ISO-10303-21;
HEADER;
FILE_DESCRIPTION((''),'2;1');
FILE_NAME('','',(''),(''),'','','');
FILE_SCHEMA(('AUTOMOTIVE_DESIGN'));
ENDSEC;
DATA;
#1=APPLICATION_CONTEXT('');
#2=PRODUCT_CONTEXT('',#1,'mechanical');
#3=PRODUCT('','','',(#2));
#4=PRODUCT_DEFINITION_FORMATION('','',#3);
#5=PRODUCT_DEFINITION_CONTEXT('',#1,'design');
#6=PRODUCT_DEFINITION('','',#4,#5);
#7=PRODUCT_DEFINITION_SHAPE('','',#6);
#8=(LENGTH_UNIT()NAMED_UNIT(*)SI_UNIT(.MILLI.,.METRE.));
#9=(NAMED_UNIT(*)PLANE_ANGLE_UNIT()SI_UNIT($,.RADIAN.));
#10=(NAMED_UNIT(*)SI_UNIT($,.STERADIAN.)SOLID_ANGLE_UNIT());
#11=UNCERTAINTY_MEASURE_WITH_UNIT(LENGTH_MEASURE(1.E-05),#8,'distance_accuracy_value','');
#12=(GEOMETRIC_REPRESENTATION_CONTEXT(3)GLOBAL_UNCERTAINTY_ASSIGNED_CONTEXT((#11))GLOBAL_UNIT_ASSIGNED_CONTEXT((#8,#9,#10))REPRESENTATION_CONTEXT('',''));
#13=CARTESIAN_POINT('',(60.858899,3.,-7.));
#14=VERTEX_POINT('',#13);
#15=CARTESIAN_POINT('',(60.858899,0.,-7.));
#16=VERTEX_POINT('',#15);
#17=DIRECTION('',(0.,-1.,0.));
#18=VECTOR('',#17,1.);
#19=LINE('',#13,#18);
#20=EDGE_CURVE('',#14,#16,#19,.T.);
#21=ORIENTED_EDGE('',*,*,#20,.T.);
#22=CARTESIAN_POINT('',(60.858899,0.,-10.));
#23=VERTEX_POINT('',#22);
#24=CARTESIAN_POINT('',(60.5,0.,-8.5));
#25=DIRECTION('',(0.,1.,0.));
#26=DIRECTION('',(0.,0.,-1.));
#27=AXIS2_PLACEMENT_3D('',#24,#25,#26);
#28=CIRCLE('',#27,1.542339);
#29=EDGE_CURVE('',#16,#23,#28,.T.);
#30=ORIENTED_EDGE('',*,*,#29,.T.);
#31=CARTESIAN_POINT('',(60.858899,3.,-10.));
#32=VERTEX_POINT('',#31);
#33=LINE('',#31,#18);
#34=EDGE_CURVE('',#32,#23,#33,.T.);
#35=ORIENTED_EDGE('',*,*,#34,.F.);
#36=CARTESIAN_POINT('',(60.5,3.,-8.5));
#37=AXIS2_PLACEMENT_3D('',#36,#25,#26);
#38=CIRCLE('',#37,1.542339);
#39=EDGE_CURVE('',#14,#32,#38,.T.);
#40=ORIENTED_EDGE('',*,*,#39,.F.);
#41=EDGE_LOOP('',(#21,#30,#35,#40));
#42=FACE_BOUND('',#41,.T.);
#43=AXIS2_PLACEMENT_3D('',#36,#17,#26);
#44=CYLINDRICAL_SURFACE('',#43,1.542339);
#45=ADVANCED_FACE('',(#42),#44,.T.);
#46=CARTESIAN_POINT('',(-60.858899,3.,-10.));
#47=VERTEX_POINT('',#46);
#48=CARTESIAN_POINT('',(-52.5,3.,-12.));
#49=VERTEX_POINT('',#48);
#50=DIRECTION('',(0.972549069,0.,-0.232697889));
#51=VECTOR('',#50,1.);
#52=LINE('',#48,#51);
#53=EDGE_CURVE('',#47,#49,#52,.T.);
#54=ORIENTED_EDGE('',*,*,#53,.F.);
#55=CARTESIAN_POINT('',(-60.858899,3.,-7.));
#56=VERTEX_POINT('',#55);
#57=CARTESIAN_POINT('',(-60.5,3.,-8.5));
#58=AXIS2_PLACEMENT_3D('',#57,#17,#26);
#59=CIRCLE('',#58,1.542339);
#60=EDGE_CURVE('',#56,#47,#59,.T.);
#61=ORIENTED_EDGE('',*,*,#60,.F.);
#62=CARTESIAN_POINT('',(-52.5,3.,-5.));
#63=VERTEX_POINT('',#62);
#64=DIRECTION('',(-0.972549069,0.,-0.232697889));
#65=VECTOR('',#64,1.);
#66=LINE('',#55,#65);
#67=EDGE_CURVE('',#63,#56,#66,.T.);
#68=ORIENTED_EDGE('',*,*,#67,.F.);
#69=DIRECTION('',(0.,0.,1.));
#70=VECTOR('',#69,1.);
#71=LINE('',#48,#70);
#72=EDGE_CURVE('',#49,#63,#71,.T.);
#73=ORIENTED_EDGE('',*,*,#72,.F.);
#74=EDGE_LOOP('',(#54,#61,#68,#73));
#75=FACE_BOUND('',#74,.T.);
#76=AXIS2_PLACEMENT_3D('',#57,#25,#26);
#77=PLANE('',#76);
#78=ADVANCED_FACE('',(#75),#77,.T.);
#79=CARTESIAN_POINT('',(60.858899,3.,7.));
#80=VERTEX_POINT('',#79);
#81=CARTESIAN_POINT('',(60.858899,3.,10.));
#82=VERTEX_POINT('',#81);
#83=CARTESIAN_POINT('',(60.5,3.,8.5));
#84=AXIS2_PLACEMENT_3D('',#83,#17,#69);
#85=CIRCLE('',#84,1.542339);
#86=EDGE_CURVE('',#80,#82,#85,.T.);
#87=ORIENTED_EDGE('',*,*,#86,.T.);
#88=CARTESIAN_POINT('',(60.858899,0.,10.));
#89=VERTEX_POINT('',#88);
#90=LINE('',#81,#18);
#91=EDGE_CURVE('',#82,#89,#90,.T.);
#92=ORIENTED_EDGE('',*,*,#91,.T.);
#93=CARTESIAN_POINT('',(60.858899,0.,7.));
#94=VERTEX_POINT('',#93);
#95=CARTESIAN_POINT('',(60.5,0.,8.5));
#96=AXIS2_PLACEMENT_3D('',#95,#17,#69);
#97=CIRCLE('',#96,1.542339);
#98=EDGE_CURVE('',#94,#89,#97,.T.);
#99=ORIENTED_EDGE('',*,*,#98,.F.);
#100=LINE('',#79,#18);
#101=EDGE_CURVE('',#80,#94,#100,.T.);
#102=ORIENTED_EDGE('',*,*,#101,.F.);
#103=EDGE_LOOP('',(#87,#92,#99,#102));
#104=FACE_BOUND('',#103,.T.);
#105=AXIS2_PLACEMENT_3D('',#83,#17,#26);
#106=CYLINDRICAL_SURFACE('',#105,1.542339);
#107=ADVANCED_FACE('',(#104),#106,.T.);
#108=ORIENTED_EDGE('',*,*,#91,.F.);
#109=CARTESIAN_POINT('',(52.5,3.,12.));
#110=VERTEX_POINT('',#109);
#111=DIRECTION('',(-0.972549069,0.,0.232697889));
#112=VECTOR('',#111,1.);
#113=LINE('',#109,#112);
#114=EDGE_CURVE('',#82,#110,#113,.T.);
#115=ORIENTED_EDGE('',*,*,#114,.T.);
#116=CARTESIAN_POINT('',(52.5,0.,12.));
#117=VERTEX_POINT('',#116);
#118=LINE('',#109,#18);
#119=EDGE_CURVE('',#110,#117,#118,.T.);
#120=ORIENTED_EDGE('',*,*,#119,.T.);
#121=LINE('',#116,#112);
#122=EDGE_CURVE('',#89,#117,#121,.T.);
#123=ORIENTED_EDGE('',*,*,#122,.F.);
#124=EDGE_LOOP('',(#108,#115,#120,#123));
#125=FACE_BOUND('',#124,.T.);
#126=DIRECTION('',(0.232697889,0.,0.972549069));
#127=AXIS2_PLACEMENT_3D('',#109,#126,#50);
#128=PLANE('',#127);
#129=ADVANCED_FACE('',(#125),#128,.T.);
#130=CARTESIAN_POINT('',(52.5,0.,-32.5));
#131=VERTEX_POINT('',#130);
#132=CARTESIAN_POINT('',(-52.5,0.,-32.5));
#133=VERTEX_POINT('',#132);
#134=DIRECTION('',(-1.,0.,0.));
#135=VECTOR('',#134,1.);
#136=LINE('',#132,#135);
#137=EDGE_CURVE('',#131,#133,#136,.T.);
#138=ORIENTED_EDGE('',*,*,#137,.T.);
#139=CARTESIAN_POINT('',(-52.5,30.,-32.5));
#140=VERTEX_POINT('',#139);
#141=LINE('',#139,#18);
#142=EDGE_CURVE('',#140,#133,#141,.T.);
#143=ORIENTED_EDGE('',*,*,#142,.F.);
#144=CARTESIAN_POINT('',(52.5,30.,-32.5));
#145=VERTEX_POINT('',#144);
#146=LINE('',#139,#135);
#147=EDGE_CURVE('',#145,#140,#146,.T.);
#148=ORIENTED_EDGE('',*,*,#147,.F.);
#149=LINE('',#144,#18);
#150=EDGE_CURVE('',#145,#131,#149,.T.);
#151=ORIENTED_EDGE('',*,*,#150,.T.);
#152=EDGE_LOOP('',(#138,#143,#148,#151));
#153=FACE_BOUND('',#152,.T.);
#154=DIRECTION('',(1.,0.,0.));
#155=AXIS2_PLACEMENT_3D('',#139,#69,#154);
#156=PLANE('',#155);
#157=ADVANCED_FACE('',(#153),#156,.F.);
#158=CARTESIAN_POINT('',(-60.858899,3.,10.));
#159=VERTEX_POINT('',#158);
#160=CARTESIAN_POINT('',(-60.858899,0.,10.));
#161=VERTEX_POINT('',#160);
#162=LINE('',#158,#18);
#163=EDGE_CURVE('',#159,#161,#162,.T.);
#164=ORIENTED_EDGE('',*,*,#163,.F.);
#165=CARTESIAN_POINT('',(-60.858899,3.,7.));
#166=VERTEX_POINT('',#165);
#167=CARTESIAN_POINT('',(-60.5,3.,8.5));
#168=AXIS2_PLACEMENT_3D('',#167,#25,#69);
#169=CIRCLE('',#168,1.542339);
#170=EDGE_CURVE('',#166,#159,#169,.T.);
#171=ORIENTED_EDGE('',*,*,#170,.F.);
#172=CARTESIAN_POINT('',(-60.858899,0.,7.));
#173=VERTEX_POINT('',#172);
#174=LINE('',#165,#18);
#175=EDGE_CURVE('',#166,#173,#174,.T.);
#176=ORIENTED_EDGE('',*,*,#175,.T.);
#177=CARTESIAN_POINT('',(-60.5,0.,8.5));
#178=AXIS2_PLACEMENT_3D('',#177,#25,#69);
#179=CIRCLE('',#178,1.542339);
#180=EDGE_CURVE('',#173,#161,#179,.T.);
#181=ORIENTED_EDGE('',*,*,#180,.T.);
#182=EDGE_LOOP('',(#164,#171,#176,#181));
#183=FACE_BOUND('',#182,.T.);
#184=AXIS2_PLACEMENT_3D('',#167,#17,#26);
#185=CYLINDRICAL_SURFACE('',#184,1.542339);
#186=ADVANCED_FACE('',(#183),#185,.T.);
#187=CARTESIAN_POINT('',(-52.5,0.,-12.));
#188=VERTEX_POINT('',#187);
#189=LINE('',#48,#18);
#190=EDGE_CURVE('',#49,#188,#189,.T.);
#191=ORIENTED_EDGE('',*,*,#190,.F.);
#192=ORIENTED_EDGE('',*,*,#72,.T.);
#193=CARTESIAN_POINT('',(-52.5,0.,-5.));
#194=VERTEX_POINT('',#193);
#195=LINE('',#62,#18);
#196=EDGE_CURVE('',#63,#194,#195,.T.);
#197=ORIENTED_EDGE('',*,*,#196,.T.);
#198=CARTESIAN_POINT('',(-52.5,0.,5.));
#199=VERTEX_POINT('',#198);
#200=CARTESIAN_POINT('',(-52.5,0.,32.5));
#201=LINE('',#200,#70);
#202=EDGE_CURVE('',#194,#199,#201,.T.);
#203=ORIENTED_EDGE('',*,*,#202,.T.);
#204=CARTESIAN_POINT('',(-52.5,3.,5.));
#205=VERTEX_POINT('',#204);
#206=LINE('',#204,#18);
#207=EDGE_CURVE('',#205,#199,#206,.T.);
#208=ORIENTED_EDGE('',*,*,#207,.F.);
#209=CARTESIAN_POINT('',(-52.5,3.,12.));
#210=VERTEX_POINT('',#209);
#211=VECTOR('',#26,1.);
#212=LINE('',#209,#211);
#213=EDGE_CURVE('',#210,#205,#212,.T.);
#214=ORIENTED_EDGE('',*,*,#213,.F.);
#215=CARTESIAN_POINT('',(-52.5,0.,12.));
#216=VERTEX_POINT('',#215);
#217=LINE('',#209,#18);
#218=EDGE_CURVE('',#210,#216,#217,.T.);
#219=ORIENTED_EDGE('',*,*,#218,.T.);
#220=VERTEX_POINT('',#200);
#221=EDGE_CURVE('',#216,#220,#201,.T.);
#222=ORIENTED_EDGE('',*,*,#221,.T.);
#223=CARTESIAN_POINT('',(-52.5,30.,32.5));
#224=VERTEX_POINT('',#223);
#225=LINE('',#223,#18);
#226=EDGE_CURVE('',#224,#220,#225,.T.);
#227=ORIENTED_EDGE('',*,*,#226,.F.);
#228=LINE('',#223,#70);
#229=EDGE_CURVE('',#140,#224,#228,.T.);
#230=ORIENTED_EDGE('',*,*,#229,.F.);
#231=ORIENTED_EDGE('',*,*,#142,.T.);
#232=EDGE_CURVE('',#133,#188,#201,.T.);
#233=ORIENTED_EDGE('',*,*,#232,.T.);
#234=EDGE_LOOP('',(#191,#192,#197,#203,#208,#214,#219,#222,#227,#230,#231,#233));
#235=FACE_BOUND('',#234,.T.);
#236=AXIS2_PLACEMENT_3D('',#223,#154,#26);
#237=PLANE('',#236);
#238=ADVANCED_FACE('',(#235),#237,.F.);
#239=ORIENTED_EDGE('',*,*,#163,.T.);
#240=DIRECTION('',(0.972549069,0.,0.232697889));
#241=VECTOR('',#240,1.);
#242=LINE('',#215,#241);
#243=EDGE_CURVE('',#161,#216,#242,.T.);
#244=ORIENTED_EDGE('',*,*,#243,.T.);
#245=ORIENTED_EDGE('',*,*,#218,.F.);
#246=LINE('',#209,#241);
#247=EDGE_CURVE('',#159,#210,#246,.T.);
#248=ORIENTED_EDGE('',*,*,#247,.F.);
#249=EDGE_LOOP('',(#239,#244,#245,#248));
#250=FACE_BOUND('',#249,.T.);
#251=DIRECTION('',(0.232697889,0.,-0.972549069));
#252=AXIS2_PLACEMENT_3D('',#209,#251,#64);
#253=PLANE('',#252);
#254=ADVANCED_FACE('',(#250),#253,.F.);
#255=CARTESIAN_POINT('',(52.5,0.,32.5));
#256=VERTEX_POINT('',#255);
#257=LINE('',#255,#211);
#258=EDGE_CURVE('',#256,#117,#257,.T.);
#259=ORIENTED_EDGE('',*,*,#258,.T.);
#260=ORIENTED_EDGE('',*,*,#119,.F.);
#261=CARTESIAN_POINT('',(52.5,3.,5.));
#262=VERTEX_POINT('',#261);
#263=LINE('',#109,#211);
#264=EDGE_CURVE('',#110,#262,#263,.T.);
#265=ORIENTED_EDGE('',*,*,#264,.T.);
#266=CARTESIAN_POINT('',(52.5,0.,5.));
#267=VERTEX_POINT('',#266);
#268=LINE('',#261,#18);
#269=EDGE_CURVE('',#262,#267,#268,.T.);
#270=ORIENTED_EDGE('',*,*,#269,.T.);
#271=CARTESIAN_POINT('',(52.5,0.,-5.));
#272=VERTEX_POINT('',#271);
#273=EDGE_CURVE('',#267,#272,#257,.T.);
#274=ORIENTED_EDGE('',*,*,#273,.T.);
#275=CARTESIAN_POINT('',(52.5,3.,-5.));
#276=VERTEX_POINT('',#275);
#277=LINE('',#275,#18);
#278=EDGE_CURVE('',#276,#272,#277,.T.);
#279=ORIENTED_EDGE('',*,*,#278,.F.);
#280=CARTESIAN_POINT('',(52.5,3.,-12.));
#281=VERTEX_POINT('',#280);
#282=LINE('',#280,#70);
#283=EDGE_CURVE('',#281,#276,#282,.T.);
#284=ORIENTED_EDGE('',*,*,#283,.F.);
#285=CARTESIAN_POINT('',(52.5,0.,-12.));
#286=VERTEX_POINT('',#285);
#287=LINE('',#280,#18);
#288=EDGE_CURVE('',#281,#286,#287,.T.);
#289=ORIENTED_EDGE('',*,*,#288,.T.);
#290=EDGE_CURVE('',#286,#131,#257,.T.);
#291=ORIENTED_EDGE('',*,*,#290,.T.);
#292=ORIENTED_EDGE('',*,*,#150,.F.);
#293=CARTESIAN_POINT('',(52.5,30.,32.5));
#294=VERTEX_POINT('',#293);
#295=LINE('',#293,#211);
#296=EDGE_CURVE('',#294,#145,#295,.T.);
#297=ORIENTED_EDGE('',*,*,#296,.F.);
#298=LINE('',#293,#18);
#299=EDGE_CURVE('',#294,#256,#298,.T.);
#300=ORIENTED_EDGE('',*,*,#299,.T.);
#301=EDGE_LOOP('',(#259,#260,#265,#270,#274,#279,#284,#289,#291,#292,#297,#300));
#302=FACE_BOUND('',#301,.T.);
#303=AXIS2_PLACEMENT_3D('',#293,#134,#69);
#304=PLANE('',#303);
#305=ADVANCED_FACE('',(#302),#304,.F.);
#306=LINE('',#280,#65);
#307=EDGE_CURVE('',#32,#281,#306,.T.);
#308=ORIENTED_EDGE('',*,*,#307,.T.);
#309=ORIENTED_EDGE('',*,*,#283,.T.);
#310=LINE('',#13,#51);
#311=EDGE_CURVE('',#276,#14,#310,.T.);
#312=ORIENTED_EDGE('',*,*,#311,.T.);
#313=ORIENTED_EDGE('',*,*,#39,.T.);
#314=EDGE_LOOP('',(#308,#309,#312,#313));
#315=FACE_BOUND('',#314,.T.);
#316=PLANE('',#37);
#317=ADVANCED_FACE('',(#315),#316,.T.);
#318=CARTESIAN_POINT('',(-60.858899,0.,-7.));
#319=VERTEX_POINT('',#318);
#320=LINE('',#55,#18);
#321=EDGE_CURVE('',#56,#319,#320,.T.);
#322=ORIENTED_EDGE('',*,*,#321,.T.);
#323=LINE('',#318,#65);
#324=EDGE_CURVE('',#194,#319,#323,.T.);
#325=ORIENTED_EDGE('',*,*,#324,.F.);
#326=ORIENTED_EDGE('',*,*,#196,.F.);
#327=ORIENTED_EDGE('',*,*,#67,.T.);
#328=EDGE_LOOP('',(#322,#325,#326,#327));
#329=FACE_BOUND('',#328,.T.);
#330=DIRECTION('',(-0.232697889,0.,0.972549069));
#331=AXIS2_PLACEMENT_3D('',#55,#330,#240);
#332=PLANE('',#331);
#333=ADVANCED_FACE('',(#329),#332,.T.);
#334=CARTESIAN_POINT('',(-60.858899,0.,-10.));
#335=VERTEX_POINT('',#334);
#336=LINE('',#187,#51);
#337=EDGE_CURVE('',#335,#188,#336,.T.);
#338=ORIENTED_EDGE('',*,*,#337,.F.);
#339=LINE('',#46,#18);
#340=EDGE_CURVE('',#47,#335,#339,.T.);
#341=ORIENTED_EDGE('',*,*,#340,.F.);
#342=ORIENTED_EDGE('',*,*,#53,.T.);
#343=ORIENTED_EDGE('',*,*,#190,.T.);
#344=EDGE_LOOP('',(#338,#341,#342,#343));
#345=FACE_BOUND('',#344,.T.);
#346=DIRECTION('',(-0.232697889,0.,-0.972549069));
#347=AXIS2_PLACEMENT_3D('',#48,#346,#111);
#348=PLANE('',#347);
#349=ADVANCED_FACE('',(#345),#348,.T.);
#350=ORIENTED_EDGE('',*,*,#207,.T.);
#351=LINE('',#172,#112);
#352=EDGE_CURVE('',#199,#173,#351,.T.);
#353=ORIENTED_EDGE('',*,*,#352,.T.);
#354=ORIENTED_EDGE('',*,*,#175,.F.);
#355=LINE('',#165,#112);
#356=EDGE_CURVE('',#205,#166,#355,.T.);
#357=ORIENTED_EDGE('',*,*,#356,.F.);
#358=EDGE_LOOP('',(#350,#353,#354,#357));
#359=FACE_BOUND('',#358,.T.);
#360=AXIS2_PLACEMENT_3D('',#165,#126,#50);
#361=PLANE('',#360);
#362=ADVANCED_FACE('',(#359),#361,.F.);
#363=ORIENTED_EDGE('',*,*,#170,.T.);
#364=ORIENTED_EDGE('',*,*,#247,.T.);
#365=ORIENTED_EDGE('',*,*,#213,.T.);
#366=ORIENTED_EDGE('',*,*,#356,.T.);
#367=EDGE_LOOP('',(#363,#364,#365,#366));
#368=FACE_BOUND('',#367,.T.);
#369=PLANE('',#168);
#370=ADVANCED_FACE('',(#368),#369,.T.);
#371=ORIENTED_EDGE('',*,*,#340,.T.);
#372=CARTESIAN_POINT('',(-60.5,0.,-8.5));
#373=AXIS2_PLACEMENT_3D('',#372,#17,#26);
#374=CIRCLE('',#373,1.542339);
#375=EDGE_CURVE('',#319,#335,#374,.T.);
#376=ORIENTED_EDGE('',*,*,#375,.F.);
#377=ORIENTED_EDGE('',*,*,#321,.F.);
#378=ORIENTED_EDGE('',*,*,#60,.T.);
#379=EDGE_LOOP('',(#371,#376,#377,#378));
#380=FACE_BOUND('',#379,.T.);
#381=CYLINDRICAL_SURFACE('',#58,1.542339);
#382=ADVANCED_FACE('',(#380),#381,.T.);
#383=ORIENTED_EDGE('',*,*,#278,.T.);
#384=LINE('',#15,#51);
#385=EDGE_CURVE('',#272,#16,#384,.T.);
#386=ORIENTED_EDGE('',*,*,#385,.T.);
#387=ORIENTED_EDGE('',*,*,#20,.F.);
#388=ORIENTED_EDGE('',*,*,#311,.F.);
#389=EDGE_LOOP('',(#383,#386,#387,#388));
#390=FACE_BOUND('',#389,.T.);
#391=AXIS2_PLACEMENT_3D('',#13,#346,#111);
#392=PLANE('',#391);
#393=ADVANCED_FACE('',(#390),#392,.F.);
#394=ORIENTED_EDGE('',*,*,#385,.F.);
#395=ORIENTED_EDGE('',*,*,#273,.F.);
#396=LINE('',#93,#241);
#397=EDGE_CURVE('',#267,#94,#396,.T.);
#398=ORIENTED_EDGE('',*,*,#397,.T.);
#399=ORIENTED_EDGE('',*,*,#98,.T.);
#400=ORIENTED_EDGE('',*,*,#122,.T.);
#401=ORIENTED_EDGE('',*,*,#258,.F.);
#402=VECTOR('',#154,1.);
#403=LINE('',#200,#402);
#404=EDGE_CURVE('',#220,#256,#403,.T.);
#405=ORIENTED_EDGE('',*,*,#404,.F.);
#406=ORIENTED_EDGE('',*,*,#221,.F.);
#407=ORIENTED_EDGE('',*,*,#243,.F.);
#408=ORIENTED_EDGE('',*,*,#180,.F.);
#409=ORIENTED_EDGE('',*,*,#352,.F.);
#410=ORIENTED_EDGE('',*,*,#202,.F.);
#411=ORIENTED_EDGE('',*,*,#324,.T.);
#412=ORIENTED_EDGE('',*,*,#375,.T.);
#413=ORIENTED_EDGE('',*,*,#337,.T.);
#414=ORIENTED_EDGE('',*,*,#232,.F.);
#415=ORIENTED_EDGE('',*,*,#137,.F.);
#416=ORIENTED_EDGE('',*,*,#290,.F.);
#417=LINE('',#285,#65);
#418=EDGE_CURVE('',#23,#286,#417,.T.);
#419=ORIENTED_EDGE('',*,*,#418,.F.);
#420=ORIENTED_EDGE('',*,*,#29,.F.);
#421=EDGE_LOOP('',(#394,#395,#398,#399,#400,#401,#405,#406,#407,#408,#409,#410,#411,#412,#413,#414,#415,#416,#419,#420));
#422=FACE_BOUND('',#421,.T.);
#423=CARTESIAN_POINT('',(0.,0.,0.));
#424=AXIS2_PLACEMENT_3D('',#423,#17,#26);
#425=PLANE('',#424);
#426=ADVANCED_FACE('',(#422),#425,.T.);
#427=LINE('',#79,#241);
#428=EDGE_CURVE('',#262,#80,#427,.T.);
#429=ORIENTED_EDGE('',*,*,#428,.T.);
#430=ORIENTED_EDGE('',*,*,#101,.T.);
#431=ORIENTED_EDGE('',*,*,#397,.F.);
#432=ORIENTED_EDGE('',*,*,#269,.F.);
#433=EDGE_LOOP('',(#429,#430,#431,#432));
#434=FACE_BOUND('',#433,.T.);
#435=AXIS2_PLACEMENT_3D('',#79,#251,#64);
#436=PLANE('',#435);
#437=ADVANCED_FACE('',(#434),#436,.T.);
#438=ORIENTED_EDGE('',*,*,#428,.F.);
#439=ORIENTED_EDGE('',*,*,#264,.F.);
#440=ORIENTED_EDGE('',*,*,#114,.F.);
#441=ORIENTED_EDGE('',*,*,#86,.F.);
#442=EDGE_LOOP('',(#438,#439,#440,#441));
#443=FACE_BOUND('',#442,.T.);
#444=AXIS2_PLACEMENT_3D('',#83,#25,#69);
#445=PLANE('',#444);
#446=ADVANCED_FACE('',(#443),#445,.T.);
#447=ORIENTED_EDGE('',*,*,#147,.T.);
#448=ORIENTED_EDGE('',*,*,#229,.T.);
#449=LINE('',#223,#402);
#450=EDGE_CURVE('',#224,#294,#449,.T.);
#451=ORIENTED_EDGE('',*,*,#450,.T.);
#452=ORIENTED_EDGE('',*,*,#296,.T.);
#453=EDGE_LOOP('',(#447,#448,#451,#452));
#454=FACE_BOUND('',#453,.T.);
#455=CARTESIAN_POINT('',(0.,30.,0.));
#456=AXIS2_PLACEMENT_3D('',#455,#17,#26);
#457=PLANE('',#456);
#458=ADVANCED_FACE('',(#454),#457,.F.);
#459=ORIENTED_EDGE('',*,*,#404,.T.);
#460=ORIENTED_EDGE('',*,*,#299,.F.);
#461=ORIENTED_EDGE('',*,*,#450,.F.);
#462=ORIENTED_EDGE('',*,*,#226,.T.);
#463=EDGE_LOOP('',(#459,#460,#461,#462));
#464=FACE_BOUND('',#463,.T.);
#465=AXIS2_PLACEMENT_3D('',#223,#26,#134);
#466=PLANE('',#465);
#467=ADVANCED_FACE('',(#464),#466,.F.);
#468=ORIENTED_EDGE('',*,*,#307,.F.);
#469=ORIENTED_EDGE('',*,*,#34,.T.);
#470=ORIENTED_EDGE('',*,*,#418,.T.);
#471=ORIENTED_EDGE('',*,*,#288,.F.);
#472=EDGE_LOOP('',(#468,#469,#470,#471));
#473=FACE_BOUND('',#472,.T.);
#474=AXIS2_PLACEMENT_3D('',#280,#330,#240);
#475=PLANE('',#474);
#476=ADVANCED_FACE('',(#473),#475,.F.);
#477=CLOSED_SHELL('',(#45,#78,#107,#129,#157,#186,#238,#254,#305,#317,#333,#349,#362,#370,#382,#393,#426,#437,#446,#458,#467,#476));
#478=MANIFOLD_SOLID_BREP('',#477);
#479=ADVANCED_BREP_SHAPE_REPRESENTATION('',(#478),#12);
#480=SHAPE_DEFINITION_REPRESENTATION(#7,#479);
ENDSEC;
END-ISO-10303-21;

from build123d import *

# Parameters (mm, degrees)
SKETCH1_W            = 105
SKETCH1_H            = 65
BOSS_EXTRUDE1_DEPTH  = 30
BOSS_EXTRUDE2_DEPTH  = 3
MIRROR2_COPY_1_DEPTH = 3


with BuildPart() as part:
    # Sketch1 → Boss-Extrude1 (new body)
    with BuildSketch(Plane(origin=(0, 0, 0), x_dir=(1, 0, 0), z_dir=(0, 1, 0))):
        Rectangle(SKETCH1_W, SKETCH1_H)
    extrude(amount=BOSS_EXTRUDE1_DEPTH)

    # Sketch3 → Boss-Extrude2 (add)
    with BuildSketch(Plane.XZ):
        with BuildLine():
            Line((52.5, 12), (60.858898944, 10))
            ThreePointArc((60.858898944, 10), (62.042338631, 8.5), (60.858898944, 7))
            Line((60.858898944, 7), (52.5, 5))
            Line((52.5, 5), (52.5, 12))
        make_face()
    boss_extrude2 = extrude(amount=-BOSS_EXTRUDE2_DEPTH)

    # Mirror1: Boss-Extrude2 across plane
    add(boss_extrude2.mirror(Plane.XY))

    # Mirror2: Boss-Extrude2 across plane
    add(boss_extrude2.mirror(Plane(origin=(0, 0, 0), x_dir=(0, 0, 1), z_dir=(1, 0, 0))))

    # Mirror2 copy 1 sketch → Mirror2 copy 1 (add)
    with BuildSketch(Plane(origin=(0, 0, 0), x_dir=(-1, 0, 0), z_dir=(0, -1, 0))):
        with BuildLine():
            Line((52.5, 12), (60.858898944, 10))
            ThreePointArc((60.858898944, 10), (62.042338631, 8.5), (60.858898944, 7))
            Line((60.858898944, 7), (52.5, 5))
            Line((52.5, 5), (52.5, 12))
        make_face()
    extrude(amount=-MIRROR2_COPY_1_DEPTH)


solid = part.part
